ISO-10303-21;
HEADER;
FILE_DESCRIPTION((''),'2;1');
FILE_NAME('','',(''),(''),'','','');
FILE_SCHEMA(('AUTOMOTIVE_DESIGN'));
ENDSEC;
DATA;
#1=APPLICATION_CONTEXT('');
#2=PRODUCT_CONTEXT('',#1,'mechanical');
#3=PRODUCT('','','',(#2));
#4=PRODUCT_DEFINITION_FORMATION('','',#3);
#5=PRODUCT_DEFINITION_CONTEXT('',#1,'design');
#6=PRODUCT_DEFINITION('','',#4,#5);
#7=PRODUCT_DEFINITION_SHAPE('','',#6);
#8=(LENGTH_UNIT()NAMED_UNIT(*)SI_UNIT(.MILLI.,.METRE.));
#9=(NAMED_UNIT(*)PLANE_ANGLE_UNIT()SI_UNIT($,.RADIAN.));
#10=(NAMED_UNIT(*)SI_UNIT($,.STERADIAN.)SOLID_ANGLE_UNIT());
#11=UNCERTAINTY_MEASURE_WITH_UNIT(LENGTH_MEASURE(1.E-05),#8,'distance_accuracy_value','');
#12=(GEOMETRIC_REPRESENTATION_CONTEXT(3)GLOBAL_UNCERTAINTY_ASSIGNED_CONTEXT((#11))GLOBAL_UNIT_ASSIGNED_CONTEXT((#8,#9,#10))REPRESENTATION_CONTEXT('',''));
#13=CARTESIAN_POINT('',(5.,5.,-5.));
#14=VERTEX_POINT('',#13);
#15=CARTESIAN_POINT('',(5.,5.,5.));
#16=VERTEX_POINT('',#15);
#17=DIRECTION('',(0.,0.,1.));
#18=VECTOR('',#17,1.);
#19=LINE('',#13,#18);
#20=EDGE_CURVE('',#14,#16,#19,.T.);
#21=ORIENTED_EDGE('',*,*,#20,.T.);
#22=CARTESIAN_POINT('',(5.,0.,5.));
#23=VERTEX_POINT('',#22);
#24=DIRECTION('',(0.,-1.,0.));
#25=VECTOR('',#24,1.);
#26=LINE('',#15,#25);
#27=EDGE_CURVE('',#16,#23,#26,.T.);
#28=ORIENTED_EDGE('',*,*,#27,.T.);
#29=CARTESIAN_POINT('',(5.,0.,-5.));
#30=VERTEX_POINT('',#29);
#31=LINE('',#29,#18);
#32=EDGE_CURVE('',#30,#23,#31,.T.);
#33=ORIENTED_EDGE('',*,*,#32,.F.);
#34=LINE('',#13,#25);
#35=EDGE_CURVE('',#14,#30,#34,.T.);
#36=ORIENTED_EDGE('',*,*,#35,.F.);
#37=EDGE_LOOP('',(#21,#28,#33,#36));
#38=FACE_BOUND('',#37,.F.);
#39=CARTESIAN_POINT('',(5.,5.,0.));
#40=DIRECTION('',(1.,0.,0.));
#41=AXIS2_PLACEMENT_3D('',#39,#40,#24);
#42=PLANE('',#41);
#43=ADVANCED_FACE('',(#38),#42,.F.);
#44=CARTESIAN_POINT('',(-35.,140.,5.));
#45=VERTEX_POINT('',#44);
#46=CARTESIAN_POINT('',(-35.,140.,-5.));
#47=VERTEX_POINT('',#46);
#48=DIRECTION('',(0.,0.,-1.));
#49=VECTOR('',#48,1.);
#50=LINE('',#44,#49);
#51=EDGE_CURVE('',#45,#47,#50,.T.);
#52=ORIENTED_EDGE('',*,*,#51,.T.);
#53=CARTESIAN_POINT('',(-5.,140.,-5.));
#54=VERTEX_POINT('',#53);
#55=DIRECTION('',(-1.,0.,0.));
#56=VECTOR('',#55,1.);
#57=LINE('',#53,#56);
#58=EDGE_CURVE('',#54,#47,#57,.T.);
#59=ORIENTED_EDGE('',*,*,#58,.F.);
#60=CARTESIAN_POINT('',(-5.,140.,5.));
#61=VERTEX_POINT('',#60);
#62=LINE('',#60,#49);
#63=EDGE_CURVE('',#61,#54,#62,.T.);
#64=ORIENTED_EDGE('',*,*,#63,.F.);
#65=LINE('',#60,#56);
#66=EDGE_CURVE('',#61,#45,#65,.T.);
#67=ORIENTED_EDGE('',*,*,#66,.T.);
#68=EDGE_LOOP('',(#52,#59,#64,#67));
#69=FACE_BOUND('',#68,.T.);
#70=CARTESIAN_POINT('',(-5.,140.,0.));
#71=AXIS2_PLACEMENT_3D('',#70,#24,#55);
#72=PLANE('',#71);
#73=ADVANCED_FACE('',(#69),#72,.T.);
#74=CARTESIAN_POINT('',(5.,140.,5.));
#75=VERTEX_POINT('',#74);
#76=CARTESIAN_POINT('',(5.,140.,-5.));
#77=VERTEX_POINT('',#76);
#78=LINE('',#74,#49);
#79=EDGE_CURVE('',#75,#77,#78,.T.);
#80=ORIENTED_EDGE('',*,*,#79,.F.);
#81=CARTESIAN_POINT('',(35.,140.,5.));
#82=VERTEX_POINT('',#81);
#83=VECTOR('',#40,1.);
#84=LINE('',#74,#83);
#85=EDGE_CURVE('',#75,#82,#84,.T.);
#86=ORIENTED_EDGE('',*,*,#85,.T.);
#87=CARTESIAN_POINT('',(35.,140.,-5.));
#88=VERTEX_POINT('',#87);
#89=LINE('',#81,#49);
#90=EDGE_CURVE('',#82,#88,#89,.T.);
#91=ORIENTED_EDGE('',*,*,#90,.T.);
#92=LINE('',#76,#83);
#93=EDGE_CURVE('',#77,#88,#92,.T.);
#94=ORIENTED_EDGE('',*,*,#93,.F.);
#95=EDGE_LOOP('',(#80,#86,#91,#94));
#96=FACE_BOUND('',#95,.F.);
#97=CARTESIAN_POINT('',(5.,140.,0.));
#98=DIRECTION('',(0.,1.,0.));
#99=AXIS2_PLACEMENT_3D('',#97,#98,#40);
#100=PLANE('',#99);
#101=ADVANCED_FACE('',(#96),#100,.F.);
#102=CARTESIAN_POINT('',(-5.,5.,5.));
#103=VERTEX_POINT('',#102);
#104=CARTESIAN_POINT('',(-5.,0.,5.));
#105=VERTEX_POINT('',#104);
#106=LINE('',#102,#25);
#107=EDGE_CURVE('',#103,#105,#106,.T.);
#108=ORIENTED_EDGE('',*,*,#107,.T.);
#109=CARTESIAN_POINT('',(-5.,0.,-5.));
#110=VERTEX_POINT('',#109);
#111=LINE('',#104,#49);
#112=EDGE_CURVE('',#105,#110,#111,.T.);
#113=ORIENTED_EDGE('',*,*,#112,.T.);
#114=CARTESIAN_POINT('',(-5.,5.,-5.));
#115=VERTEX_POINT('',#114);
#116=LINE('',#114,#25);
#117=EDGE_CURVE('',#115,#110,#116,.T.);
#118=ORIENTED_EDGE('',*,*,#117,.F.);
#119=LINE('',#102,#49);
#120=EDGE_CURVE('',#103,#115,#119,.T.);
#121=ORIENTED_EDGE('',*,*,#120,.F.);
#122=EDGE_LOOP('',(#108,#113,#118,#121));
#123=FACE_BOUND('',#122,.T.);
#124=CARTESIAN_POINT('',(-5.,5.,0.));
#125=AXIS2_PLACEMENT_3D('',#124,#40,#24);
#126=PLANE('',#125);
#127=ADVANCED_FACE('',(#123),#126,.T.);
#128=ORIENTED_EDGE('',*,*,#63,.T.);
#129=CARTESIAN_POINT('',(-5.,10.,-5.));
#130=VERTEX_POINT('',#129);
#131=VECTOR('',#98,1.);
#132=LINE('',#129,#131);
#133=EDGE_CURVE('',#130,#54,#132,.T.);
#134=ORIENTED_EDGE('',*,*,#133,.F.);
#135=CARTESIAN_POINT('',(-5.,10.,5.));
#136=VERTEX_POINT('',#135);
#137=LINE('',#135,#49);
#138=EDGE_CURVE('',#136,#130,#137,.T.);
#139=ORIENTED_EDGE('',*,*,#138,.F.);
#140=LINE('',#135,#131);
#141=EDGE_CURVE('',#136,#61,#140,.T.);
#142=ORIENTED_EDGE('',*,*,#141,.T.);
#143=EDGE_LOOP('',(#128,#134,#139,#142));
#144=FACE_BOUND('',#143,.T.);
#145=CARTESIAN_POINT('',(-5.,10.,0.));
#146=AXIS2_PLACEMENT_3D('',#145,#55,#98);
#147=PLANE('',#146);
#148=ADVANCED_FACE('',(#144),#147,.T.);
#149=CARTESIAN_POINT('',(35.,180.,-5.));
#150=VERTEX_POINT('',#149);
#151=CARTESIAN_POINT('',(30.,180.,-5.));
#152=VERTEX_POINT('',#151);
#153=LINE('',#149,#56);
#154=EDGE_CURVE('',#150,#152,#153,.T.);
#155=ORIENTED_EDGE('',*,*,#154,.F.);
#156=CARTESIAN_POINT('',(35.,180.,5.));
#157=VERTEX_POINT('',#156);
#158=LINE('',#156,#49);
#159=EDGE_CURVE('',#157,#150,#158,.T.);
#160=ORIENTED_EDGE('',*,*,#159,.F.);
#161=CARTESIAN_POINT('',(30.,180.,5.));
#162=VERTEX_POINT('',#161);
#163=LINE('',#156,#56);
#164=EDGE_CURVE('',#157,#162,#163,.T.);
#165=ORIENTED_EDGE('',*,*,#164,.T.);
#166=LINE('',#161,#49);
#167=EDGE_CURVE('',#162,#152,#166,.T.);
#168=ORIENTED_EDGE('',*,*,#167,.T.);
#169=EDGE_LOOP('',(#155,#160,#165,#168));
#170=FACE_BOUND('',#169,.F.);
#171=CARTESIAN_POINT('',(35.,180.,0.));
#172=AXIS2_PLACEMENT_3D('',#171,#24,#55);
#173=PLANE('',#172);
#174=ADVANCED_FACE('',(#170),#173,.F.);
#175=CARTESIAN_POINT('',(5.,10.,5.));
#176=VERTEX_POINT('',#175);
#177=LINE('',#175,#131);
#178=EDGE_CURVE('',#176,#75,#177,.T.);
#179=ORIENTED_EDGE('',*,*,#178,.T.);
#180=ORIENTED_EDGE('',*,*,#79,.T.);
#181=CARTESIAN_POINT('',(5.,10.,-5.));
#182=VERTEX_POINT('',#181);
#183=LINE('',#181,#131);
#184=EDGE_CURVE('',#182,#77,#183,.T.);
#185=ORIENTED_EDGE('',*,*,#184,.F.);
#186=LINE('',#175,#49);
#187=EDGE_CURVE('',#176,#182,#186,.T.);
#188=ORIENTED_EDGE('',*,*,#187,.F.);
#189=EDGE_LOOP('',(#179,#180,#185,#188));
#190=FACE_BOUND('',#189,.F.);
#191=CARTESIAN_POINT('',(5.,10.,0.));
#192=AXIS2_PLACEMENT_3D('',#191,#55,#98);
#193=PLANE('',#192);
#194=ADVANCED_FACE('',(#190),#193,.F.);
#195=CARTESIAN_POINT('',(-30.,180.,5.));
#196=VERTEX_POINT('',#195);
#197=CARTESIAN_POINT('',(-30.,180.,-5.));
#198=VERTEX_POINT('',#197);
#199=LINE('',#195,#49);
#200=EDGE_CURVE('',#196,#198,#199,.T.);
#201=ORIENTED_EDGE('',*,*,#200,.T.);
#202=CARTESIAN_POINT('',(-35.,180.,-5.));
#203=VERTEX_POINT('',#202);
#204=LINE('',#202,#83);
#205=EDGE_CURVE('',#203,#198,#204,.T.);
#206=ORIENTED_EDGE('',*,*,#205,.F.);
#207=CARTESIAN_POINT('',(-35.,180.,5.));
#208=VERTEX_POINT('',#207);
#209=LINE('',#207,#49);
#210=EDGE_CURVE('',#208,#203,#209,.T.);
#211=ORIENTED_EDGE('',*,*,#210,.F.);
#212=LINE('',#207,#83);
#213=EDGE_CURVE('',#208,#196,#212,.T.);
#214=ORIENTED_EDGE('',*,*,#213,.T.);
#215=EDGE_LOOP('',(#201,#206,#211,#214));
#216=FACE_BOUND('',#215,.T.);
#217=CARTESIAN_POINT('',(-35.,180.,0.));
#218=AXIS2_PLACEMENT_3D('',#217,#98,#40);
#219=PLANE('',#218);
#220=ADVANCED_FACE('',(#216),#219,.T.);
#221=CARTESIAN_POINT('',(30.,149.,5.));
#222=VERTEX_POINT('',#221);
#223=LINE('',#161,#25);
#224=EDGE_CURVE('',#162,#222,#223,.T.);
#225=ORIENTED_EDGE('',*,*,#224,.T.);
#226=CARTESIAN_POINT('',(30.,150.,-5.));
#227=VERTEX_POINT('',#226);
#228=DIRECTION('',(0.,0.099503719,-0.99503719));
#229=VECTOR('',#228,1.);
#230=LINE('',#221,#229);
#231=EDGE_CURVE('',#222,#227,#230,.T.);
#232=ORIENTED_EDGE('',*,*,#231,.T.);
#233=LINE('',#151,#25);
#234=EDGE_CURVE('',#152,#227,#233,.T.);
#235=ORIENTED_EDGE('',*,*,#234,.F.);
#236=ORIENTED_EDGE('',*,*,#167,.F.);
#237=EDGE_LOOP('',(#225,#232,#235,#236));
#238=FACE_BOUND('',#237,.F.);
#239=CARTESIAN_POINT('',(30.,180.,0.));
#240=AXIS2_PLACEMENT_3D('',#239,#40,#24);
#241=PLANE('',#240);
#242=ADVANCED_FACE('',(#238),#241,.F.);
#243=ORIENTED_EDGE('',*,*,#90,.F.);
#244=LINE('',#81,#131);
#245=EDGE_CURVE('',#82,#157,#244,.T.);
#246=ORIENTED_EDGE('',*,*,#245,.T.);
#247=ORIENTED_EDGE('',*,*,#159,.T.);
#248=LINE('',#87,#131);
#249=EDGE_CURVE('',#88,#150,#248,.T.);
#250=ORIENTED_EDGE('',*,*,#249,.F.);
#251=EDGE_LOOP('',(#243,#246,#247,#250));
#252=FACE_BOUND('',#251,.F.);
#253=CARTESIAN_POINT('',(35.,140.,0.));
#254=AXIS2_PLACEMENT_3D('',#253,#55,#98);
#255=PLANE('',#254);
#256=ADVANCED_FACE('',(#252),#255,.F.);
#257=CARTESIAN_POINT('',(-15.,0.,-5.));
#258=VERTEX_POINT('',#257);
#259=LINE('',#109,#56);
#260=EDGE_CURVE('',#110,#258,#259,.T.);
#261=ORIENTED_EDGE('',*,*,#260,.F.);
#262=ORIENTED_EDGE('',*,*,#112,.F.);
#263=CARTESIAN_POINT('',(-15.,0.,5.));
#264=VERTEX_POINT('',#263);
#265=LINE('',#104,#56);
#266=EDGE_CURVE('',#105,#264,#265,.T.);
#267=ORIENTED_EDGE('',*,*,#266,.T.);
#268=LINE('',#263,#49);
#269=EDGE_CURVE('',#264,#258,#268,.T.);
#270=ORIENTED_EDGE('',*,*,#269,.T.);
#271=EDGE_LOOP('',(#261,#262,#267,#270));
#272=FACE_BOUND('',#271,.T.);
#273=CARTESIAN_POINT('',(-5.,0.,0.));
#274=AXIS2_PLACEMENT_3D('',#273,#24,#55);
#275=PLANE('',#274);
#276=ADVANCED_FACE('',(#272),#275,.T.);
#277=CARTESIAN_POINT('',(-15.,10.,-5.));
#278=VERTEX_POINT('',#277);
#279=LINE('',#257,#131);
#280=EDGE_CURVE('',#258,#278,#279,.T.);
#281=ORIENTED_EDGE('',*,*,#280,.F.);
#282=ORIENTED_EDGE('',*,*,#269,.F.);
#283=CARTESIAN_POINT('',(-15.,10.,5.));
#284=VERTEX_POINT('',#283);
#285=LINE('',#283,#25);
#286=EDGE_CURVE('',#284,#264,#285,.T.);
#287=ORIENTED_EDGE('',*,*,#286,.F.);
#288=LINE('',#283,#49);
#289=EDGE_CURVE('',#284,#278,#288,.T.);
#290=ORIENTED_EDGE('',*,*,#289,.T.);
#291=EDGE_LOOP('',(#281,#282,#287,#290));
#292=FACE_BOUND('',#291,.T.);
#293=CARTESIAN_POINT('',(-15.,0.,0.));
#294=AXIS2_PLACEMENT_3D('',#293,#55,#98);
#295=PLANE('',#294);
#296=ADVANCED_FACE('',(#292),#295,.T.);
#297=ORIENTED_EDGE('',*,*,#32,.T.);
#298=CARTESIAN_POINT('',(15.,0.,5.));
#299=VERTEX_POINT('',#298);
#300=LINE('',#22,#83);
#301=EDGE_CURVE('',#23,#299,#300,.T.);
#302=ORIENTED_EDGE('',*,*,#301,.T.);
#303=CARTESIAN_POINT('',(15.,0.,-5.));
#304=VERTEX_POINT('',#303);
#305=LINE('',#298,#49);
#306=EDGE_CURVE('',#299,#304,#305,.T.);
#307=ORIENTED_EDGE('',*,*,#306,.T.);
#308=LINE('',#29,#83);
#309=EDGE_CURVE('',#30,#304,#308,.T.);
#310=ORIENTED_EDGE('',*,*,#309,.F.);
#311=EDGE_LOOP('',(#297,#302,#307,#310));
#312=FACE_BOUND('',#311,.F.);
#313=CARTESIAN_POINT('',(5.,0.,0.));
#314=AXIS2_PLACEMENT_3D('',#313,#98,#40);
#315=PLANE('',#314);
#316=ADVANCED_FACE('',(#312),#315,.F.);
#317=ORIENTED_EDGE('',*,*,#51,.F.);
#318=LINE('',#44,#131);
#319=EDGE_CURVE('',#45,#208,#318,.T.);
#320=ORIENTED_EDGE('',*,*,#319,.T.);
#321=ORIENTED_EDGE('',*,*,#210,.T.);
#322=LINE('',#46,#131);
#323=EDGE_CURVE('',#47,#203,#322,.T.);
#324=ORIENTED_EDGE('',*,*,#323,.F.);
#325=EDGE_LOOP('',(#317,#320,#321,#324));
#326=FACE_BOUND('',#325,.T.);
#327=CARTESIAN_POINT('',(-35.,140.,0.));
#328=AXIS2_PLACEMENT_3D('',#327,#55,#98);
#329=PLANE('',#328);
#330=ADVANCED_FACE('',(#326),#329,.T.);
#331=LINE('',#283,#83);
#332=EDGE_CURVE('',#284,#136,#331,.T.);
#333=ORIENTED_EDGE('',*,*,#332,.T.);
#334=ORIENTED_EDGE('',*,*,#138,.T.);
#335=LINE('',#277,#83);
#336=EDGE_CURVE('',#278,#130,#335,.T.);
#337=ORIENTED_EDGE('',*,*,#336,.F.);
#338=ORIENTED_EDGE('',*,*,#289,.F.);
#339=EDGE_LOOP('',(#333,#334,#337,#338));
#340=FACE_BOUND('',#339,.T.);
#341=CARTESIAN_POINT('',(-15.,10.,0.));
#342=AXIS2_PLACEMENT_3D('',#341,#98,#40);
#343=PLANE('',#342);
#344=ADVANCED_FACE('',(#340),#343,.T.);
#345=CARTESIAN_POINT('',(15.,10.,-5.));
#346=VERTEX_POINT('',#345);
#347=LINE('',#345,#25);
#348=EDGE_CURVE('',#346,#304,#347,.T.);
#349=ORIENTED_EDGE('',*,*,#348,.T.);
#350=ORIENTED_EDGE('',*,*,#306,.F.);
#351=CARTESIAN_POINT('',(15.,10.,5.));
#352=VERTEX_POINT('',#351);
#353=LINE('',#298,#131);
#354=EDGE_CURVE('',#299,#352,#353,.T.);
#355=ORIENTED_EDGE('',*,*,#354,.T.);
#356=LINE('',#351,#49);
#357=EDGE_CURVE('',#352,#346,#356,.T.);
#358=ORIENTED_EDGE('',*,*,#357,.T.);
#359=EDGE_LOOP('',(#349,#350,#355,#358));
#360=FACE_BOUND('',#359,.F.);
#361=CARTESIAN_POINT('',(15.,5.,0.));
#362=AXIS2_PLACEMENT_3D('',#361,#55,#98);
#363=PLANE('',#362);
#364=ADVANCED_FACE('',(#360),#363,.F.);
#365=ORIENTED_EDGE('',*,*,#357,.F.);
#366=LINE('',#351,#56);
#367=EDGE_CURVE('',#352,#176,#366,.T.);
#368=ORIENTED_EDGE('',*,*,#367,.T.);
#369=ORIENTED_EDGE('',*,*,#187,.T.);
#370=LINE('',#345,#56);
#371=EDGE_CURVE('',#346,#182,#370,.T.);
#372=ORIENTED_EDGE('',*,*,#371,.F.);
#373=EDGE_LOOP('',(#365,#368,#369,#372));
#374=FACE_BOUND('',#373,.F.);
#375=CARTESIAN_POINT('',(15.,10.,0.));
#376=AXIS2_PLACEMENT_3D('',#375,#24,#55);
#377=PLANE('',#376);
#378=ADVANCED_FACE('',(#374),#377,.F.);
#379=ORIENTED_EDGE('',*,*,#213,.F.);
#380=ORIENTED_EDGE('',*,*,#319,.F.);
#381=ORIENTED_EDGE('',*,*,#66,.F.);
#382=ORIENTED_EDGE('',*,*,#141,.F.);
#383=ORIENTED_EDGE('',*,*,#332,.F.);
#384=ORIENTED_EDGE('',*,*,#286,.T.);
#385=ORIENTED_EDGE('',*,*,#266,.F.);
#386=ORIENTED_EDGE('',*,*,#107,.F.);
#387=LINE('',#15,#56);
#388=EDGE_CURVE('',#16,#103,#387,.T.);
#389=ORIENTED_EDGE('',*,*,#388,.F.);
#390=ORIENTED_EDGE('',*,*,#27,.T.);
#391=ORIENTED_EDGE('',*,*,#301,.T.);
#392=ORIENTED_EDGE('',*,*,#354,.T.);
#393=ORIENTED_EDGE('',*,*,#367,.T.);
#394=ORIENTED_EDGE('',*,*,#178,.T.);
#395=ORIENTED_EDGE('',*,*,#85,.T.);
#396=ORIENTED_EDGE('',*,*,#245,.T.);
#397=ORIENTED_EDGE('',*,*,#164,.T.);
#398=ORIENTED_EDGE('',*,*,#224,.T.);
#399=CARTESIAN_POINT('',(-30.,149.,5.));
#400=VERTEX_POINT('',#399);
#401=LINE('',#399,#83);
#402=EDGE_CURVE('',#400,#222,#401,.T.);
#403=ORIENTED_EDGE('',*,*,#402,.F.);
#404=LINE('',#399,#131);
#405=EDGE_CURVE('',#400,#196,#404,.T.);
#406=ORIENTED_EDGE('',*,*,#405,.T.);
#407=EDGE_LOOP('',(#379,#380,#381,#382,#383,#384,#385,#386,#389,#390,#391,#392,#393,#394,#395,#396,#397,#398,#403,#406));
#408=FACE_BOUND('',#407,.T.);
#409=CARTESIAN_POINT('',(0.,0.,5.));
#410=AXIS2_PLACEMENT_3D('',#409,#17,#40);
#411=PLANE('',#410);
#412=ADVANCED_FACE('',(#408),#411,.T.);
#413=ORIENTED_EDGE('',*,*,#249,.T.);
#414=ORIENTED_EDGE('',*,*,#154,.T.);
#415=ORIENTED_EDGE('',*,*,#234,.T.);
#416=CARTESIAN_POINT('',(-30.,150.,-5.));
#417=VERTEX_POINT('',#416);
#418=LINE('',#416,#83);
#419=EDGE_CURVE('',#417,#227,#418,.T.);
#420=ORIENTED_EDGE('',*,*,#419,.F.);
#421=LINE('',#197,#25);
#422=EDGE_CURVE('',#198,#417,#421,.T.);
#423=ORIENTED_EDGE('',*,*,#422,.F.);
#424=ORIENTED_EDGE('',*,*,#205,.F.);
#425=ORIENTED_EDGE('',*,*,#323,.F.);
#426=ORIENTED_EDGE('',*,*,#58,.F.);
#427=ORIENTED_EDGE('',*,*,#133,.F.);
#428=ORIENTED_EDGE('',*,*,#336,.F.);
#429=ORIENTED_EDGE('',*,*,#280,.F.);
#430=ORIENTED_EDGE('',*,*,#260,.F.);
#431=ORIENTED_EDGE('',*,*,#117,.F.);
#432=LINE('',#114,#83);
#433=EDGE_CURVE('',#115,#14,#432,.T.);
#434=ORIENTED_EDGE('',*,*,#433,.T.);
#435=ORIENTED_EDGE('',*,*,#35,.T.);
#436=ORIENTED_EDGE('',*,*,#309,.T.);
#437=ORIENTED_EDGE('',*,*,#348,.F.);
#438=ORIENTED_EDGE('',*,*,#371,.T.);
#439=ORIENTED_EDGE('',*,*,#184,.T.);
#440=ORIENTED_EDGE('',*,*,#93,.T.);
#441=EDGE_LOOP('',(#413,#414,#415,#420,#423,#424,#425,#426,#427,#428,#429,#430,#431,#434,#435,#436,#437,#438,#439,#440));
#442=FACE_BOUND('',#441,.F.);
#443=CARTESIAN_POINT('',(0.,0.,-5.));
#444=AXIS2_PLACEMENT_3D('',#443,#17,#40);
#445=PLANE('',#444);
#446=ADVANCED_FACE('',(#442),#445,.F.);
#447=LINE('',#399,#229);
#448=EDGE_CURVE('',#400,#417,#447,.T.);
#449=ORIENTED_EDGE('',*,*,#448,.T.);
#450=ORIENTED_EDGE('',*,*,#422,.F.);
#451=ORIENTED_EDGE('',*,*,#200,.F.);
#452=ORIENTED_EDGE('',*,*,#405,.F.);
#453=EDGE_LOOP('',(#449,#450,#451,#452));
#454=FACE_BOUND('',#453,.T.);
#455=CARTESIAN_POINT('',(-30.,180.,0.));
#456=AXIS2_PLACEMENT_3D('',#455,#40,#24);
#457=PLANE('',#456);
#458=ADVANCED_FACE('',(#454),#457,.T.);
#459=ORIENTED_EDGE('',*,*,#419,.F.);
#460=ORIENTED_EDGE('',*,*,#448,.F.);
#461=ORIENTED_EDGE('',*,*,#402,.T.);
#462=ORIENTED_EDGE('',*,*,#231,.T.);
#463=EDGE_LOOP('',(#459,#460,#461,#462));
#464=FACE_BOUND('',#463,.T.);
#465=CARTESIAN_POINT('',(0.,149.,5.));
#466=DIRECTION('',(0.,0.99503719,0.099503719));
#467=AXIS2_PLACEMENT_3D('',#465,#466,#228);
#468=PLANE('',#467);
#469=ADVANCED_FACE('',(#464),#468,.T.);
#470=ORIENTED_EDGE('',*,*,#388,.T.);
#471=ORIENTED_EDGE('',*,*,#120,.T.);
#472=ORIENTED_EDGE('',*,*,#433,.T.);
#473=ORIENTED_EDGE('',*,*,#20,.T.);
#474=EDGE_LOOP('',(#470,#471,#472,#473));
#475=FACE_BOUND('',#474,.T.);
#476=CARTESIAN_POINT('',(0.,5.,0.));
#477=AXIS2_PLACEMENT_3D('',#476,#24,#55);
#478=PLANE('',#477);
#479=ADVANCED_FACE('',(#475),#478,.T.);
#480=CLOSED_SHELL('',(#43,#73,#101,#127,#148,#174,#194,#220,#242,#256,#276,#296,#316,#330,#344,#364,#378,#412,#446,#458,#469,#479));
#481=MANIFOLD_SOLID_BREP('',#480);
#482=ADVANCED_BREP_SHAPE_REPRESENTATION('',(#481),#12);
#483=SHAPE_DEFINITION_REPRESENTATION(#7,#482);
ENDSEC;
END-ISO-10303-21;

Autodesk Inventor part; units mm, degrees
ref_plane "YZ Plane" through (0, 0, 0) normal (1, 0, 0) x (0, 1, 0)
ref_plane "XZ Plane" through (0, 0, 0) normal (0, 1, 0) x (-1, 0, 0)
sketch "Sketch2" plane through (0, 0, 0) normal (0, 0, 1) x (1, 0, 0)
  line L0 (0, 0) -> (0, 50) construction
  line L1 (0, 0) -> (0, 5)
  line L2 (0, 5) -> (-5, 5)
  line L3 (-5, 5) -> (-5, 0)
  line L4 (-5, 0) -> (-15, 0)
  line L5 (-15, 0) -> (-15, 5)
  line L6 (-15, 5) -> (-15, 10)
  line L7 (-15, 10) -> (-5, 10)
  line L8 (-5, 10) -> (-5, 140)
  line L9 (-5, 140) -> (-35, 140)
  line L10 (-35, 140) -> (-35, 180)
  line L11 (-35, 180) -> (-30, 180)
  line L12 (-30, 180) -> (-30, 150)
  line L13 (-30, 150) -> (0, 150)
  line L14 (0, 5) -> (5, 5)
  line L15 (5, 5) -> (5, 0)
  line L16 (15, 0) -> (15, 5)
  line L17 (15, 5) -> (15, 10)
  line L18 (15, 10) -> (5, 10)
  line L19 (5, 10) -> (5, 140)
  line L20 (5, 140) -> (35, 140)
  line L21 (35, 140) -> (35, 180)
  line L22 (35, 180) -> (30, 180)
  line L23 (30, 180) -> (30, 150)
  line L24 (30, 150) -> (0, 150)
  line L25 (5, 0) -> (15, 0)
  dimension "d6" = 50
  dimension "d7" = 5
  dimension "d8" = 5
  dimension "d9" = 10
  dimension "d10" = 130
  dimension "d11" = 30
  dimension "d12" = 40
  dimension "d13" = 5
  dimension "d14" = 30
  dimension "d21" = 5
  dimension "d22" = 5
  dimension "d24" = 0
extrude "Extrusion1" add sketch "Sketch2" along normal mid plane 10
ref_plane "Work Plane1" through (0, 150, 5) normal (1, 0, 0) x (0, 0, -1)
sketch "Sketch3" plane through (0, 150, 5) normal (1, 0, 0) x (0, 0, -1)
  line L0 (0, 0) -> (10, 0)
  line L1 (0, 0) -> (0, -1)
  line L2 (10, -10) -> (0, -10) projected
  line L3 (0, -1) -> (10, 0)
  point P0 (5, -150)
  dimension "d27" = 1
extrude "Extrusion2" cut sketch "Sketch3" along normal mid plane 60
properties part number "Sorting Holder x1"
